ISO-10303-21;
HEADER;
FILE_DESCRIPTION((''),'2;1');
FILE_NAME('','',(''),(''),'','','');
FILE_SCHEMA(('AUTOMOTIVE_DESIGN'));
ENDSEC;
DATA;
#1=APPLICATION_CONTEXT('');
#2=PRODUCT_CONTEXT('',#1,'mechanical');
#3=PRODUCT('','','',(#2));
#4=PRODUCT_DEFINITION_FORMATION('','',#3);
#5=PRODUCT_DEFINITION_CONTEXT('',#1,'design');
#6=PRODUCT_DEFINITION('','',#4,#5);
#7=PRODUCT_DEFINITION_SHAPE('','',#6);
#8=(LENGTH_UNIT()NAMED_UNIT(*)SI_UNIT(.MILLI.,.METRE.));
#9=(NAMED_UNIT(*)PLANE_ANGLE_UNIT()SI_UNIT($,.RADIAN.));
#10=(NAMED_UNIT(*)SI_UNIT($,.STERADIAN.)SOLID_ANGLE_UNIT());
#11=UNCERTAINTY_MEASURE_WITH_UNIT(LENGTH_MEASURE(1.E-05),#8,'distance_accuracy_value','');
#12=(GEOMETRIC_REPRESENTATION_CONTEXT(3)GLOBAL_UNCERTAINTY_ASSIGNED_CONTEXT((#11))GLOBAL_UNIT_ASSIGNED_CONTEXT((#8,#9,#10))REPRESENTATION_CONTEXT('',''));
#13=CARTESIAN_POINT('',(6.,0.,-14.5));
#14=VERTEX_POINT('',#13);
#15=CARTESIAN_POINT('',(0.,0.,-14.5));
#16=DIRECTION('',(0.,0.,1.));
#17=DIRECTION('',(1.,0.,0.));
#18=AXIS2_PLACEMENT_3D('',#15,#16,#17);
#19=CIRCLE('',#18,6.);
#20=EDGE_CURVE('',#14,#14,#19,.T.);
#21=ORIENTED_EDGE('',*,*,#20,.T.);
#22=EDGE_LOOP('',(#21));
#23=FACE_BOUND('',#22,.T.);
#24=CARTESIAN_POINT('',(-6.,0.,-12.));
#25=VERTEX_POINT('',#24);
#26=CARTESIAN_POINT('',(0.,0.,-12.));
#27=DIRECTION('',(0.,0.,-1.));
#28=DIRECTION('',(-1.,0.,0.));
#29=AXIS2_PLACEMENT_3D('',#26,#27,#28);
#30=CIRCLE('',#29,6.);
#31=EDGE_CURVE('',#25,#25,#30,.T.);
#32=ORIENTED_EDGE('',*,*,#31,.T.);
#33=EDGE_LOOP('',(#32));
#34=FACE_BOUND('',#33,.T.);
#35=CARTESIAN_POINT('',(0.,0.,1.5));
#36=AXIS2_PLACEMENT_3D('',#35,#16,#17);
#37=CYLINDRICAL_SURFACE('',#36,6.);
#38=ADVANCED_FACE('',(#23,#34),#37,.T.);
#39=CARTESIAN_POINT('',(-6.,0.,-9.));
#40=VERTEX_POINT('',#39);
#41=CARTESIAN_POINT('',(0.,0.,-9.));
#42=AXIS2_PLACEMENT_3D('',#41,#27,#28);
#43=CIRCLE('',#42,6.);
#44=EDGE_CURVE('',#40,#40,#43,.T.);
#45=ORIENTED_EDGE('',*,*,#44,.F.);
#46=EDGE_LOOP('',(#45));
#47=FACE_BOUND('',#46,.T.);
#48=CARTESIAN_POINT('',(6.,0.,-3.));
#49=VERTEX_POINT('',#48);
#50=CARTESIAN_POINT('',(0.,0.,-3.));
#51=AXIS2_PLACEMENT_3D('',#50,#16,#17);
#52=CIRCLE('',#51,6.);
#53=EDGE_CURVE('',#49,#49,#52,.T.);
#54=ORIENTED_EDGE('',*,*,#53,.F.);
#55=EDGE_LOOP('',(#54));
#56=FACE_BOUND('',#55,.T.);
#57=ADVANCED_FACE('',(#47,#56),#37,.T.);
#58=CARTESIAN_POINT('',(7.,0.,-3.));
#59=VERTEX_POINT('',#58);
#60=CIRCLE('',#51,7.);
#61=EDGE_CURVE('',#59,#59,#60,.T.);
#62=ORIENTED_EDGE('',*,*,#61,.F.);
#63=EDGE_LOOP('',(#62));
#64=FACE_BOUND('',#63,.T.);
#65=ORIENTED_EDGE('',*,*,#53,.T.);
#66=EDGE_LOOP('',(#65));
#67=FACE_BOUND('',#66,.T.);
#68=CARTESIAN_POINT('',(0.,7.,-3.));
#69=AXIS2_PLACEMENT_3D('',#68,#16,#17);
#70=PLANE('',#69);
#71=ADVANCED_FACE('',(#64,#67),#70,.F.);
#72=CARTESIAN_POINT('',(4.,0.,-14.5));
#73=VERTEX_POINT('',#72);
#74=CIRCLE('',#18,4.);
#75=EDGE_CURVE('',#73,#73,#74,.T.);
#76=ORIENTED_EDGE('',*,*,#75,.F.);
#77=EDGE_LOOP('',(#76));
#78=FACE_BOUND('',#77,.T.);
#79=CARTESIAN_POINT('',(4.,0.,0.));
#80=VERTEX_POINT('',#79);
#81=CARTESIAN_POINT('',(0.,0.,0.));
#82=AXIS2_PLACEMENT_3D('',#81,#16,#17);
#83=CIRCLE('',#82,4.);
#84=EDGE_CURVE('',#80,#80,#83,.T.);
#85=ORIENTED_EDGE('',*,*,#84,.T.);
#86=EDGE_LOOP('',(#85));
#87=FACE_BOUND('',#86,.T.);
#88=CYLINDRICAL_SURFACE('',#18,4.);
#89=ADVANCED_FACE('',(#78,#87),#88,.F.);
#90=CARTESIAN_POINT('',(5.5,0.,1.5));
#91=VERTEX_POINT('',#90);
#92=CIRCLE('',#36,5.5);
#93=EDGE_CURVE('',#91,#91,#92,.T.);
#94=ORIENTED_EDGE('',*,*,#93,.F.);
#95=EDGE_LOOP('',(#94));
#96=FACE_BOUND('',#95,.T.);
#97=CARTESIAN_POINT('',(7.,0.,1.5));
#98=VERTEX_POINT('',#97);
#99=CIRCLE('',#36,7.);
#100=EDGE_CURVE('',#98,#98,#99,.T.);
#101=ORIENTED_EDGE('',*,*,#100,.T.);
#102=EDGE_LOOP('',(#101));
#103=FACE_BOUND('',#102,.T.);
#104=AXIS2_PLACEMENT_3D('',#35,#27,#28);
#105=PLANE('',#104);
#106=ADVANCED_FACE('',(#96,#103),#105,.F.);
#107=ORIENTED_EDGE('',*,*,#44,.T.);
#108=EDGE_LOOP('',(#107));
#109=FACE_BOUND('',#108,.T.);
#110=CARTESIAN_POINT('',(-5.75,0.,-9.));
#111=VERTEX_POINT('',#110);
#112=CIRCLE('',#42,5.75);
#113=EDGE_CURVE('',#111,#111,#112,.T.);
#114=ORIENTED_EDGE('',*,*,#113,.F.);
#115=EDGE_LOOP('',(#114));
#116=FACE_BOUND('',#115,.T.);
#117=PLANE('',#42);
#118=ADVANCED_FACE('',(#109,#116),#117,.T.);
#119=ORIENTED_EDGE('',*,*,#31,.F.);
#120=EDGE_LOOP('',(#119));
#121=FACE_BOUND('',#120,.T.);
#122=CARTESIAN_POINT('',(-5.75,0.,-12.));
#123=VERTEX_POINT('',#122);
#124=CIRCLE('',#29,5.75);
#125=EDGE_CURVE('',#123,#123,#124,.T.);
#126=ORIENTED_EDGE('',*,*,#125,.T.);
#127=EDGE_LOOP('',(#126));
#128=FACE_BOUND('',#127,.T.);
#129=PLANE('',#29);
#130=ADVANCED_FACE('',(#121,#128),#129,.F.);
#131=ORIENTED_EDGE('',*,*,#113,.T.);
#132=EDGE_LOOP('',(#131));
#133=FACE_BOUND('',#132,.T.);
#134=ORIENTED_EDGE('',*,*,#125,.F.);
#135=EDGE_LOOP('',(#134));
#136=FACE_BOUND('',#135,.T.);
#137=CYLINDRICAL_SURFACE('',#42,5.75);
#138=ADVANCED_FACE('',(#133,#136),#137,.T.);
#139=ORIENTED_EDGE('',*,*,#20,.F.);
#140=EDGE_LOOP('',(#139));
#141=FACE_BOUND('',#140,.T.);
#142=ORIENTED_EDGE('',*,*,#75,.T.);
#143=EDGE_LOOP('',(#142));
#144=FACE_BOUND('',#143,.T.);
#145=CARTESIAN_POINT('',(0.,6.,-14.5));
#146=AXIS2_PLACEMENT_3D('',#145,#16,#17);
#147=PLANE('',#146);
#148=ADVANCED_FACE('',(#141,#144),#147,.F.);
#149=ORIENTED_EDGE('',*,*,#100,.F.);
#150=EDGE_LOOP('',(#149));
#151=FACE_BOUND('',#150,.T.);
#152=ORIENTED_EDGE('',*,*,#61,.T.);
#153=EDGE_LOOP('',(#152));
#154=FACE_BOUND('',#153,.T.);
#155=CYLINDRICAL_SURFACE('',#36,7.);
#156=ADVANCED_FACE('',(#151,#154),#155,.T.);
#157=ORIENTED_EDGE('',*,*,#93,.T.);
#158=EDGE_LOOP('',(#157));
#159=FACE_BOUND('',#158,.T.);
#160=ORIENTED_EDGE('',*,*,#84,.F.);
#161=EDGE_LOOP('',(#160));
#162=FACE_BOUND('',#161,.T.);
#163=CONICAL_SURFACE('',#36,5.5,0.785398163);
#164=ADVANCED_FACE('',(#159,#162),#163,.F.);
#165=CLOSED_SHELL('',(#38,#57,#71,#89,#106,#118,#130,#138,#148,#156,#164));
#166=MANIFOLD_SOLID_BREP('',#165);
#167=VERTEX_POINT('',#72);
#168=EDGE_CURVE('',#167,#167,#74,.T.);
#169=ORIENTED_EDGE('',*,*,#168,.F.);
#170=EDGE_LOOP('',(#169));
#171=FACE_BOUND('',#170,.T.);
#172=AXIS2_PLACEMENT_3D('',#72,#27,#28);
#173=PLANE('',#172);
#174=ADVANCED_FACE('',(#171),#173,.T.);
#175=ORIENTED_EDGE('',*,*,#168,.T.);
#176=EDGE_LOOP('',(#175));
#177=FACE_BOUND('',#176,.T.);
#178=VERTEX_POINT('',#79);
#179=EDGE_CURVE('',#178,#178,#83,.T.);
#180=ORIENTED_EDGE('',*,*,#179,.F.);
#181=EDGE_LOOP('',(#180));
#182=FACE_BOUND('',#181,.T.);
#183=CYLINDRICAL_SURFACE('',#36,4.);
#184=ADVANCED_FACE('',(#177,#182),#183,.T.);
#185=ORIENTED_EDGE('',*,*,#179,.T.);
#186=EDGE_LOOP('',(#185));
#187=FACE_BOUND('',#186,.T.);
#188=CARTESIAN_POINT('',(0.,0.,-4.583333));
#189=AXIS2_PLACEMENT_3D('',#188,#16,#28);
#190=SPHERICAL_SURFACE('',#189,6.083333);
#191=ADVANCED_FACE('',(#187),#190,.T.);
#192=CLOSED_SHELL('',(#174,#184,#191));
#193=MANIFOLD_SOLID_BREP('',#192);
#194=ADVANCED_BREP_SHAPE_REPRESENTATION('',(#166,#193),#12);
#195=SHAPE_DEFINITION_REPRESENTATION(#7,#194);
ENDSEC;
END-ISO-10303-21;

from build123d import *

# Parameters (mm, degrees)
SKETCH2_R          = 5.5
CUT_EXTRUDE1_DEPTH = 1.5
CUT_EXTRUDE1_TAPER = 45
SKETCH3_R          = 4
CUT_EXTRUDE2_DEPTH = 15.5
CUT_EXTRUDE3_START = -2.5
SKETCH6_R          = 6
SKETCH6_R_2        = 5.75
CUT_EXTRUDE3_DEPTH = 3


with BuildPart() as part:
    # Sketch1 → Revolve1 (revolve)
    with BuildSketch(Plane(origin=(0, 0, 0), x_dir=(0, 0, -1), z_dir=(1, 0, 0))):
        Polygon((-1.5, 0), (-1.5, 7), (3, 7), (3, 6), (14.5, 6), (14.5, 0), align=None)
    revolve(axis=Axis((0, 0, 1.5), (0, 0, -1)))

    # Sketch2 → Cut-Extrude1 (cut)
    with BuildSketch(Plane.XY.offset(1.5)):
        Circle(SKETCH2_R)
    extrude(amount=-CUT_EXTRUDE1_DEPTH, taper=CUT_EXTRUDE1_TAPER, mode=Mode.SUBTRACT)

    # Sketch3 → Cut-Extrude2 (cut, through all)
    with BuildSketch(Plane.XY):
        Circle(SKETCH3_R)
    extrude(amount=-CUT_EXTRUDE2_DEPTH, mode=Mode.SUBTRACT)

    # Sketch6 → Cut-Extrude3 (cut)
    with BuildSketch(Plane(origin=(0, 0, -14.5), x_dir=(-1, 0, 0), z_dir=(0, 0, -1)).offset(CUT_EXTRUDE3_START)):
        Circle(SKETCH6_R)
        Circle(SKETCH6_R_2, mode=Mode.SUBTRACT)
    extrude(amount=-CUT_EXTRUDE3_DEPTH, mode=Mode.SUBTRACT)


with BuildPart() as body_2:
    # Sketch4 → Revolve3 (revolve)
    with BuildSketch(Plane(origin=(0, 0, 0), x_dir=(1, 0, 0), z_dir=(0, 1, 0))):
        with BuildLine():
            Line((4, 0), (4, 14.5))
            Line((4, 14.5), (0, 14.5))
            Line((0, 14.5), (0, -1.5))
            ThreePointArc((0, -1.5), (2.136000936, -1.112669164), (4, 0))
        make_face()
    revolve(axis=Axis((0, 0, 1.5), (0, 0, -1)))


solid = Compound([part.part, body_2.part])
